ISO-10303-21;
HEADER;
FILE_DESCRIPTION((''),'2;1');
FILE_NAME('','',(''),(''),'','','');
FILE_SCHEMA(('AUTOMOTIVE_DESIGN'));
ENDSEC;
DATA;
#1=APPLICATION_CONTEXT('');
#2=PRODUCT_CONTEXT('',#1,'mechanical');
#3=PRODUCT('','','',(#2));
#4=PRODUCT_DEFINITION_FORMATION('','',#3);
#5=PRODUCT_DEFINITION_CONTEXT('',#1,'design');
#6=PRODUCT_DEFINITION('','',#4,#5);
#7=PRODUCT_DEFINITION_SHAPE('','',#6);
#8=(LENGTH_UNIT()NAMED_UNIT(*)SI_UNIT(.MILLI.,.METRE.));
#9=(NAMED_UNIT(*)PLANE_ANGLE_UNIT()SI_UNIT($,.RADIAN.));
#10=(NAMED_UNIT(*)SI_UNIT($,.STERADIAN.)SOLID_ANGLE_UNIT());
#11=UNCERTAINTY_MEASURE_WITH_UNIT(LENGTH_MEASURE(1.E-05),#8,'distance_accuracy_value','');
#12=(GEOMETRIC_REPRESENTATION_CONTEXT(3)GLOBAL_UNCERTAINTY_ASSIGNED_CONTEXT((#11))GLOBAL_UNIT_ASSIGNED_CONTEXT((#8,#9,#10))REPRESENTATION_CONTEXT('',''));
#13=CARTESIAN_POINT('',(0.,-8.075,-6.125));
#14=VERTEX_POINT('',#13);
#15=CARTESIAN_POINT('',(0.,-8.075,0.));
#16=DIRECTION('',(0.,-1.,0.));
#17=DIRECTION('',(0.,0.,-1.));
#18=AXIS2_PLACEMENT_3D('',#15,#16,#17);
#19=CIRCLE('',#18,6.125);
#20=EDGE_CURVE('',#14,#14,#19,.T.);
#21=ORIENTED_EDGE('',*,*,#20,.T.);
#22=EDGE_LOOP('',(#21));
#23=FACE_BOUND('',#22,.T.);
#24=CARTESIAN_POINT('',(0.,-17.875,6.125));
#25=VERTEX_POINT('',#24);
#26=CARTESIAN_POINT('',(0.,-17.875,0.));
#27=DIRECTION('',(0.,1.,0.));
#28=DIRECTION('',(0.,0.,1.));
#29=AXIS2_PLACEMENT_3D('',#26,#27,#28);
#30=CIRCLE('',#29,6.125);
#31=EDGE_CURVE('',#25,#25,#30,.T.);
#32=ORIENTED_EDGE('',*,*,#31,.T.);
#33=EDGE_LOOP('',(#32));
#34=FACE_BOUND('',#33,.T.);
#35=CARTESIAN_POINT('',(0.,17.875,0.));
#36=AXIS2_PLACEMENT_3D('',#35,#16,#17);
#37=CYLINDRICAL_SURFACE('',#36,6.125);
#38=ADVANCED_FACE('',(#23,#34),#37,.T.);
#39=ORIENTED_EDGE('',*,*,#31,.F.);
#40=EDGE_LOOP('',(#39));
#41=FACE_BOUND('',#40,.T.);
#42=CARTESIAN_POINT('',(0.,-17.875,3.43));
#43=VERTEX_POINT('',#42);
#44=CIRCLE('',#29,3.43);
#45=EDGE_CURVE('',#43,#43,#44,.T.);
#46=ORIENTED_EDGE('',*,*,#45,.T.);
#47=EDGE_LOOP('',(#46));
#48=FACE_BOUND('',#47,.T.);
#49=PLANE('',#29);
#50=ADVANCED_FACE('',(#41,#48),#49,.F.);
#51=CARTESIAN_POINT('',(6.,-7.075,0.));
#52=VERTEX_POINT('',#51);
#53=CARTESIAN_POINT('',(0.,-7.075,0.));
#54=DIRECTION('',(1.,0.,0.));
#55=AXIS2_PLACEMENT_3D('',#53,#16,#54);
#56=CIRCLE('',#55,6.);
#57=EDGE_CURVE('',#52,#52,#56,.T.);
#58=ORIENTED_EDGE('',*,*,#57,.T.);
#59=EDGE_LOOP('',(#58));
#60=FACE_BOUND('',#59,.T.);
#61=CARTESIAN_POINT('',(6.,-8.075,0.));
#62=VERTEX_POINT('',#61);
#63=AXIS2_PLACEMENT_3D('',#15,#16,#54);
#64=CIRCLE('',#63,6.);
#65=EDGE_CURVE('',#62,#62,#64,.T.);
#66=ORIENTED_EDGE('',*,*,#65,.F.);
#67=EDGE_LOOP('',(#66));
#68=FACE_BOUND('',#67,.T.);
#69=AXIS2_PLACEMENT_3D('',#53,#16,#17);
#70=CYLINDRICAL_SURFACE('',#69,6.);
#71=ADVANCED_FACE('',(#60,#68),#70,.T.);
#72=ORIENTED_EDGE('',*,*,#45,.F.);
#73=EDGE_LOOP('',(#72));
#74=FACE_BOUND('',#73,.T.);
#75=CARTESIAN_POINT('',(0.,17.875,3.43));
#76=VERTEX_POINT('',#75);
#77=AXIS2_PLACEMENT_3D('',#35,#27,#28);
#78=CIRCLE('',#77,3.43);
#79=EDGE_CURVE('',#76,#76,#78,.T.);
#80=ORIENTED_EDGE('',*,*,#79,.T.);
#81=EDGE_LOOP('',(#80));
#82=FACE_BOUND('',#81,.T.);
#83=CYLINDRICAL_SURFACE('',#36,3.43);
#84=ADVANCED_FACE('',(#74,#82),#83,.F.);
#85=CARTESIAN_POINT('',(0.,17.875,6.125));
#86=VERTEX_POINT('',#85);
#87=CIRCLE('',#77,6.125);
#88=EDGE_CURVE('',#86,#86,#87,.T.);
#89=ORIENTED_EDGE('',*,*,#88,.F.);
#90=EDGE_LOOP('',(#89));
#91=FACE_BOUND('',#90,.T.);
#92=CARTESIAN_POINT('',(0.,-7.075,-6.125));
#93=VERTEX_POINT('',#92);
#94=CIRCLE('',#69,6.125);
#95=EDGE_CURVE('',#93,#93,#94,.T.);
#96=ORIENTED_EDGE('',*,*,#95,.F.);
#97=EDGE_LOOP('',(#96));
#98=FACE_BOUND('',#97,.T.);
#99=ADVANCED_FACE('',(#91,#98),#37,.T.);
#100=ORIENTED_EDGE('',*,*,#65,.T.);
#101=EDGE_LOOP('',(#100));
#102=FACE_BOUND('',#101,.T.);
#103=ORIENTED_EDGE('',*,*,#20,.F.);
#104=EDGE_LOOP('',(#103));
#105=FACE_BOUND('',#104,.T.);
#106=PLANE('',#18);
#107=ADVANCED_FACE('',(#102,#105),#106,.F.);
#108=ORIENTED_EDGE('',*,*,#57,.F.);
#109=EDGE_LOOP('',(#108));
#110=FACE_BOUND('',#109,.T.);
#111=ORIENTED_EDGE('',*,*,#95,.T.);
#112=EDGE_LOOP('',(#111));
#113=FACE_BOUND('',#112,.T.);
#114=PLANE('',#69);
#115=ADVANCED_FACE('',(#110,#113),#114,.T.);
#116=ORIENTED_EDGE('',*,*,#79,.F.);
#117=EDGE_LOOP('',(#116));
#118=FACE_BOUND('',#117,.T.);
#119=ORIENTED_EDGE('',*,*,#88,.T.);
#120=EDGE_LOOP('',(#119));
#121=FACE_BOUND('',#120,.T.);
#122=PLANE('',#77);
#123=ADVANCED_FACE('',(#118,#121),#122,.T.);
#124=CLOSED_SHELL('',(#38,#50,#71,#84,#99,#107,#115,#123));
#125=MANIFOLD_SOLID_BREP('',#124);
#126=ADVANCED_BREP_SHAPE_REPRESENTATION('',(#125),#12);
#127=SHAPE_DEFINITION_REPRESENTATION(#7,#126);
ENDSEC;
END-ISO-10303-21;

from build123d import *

# Parameters (mm, degrees)
SKETCH1_R               = 6.125
SKETCH1_R_2             = 3.43
BOSS_EXTRUDE1_DEPTH     = 17.875
CUT_EXTRUDE_THIN1_START = -9.8
SKETCH2_R               = 6.5
SKETCH2_R_2             = 6
CUT_EXTRUDE_THIN1_DEPTH = 1


with BuildPart() as part:
    # Sketch1 → Boss-Extrude1 (new, symmetric)
    with BuildSketch(Plane(origin=(0, 0, 0), x_dir=(1, 0, 0), z_dir=(0, 1, 0))):
        with Locations(Location((0, 0, 0), (0, 0, 270))):
            Circle(SKETCH1_R)
        with Locations(Location((0, 0, 0), (0, 0, 270))):
            Circle(SKETCH1_R_2, mode=Mode.SUBTRACT)
    extrude(amount=BOSS_EXTRUDE1_DEPTH, both=True)

    # Sketch2 → Cut-Extrude-Thin1 (cut)
    with BuildSketch(Plane.XZ.offset(17.875).offset(CUT_EXTRUDE_THIN1_START)):
        Circle(SKETCH2_R)
        Circle(SKETCH2_R_2, mode=Mode.SUBTRACT)
    extrude(amount=-CUT_EXTRUDE_THIN1_DEPTH, mode=Mode.SUBTRACT)


solid = part.part
